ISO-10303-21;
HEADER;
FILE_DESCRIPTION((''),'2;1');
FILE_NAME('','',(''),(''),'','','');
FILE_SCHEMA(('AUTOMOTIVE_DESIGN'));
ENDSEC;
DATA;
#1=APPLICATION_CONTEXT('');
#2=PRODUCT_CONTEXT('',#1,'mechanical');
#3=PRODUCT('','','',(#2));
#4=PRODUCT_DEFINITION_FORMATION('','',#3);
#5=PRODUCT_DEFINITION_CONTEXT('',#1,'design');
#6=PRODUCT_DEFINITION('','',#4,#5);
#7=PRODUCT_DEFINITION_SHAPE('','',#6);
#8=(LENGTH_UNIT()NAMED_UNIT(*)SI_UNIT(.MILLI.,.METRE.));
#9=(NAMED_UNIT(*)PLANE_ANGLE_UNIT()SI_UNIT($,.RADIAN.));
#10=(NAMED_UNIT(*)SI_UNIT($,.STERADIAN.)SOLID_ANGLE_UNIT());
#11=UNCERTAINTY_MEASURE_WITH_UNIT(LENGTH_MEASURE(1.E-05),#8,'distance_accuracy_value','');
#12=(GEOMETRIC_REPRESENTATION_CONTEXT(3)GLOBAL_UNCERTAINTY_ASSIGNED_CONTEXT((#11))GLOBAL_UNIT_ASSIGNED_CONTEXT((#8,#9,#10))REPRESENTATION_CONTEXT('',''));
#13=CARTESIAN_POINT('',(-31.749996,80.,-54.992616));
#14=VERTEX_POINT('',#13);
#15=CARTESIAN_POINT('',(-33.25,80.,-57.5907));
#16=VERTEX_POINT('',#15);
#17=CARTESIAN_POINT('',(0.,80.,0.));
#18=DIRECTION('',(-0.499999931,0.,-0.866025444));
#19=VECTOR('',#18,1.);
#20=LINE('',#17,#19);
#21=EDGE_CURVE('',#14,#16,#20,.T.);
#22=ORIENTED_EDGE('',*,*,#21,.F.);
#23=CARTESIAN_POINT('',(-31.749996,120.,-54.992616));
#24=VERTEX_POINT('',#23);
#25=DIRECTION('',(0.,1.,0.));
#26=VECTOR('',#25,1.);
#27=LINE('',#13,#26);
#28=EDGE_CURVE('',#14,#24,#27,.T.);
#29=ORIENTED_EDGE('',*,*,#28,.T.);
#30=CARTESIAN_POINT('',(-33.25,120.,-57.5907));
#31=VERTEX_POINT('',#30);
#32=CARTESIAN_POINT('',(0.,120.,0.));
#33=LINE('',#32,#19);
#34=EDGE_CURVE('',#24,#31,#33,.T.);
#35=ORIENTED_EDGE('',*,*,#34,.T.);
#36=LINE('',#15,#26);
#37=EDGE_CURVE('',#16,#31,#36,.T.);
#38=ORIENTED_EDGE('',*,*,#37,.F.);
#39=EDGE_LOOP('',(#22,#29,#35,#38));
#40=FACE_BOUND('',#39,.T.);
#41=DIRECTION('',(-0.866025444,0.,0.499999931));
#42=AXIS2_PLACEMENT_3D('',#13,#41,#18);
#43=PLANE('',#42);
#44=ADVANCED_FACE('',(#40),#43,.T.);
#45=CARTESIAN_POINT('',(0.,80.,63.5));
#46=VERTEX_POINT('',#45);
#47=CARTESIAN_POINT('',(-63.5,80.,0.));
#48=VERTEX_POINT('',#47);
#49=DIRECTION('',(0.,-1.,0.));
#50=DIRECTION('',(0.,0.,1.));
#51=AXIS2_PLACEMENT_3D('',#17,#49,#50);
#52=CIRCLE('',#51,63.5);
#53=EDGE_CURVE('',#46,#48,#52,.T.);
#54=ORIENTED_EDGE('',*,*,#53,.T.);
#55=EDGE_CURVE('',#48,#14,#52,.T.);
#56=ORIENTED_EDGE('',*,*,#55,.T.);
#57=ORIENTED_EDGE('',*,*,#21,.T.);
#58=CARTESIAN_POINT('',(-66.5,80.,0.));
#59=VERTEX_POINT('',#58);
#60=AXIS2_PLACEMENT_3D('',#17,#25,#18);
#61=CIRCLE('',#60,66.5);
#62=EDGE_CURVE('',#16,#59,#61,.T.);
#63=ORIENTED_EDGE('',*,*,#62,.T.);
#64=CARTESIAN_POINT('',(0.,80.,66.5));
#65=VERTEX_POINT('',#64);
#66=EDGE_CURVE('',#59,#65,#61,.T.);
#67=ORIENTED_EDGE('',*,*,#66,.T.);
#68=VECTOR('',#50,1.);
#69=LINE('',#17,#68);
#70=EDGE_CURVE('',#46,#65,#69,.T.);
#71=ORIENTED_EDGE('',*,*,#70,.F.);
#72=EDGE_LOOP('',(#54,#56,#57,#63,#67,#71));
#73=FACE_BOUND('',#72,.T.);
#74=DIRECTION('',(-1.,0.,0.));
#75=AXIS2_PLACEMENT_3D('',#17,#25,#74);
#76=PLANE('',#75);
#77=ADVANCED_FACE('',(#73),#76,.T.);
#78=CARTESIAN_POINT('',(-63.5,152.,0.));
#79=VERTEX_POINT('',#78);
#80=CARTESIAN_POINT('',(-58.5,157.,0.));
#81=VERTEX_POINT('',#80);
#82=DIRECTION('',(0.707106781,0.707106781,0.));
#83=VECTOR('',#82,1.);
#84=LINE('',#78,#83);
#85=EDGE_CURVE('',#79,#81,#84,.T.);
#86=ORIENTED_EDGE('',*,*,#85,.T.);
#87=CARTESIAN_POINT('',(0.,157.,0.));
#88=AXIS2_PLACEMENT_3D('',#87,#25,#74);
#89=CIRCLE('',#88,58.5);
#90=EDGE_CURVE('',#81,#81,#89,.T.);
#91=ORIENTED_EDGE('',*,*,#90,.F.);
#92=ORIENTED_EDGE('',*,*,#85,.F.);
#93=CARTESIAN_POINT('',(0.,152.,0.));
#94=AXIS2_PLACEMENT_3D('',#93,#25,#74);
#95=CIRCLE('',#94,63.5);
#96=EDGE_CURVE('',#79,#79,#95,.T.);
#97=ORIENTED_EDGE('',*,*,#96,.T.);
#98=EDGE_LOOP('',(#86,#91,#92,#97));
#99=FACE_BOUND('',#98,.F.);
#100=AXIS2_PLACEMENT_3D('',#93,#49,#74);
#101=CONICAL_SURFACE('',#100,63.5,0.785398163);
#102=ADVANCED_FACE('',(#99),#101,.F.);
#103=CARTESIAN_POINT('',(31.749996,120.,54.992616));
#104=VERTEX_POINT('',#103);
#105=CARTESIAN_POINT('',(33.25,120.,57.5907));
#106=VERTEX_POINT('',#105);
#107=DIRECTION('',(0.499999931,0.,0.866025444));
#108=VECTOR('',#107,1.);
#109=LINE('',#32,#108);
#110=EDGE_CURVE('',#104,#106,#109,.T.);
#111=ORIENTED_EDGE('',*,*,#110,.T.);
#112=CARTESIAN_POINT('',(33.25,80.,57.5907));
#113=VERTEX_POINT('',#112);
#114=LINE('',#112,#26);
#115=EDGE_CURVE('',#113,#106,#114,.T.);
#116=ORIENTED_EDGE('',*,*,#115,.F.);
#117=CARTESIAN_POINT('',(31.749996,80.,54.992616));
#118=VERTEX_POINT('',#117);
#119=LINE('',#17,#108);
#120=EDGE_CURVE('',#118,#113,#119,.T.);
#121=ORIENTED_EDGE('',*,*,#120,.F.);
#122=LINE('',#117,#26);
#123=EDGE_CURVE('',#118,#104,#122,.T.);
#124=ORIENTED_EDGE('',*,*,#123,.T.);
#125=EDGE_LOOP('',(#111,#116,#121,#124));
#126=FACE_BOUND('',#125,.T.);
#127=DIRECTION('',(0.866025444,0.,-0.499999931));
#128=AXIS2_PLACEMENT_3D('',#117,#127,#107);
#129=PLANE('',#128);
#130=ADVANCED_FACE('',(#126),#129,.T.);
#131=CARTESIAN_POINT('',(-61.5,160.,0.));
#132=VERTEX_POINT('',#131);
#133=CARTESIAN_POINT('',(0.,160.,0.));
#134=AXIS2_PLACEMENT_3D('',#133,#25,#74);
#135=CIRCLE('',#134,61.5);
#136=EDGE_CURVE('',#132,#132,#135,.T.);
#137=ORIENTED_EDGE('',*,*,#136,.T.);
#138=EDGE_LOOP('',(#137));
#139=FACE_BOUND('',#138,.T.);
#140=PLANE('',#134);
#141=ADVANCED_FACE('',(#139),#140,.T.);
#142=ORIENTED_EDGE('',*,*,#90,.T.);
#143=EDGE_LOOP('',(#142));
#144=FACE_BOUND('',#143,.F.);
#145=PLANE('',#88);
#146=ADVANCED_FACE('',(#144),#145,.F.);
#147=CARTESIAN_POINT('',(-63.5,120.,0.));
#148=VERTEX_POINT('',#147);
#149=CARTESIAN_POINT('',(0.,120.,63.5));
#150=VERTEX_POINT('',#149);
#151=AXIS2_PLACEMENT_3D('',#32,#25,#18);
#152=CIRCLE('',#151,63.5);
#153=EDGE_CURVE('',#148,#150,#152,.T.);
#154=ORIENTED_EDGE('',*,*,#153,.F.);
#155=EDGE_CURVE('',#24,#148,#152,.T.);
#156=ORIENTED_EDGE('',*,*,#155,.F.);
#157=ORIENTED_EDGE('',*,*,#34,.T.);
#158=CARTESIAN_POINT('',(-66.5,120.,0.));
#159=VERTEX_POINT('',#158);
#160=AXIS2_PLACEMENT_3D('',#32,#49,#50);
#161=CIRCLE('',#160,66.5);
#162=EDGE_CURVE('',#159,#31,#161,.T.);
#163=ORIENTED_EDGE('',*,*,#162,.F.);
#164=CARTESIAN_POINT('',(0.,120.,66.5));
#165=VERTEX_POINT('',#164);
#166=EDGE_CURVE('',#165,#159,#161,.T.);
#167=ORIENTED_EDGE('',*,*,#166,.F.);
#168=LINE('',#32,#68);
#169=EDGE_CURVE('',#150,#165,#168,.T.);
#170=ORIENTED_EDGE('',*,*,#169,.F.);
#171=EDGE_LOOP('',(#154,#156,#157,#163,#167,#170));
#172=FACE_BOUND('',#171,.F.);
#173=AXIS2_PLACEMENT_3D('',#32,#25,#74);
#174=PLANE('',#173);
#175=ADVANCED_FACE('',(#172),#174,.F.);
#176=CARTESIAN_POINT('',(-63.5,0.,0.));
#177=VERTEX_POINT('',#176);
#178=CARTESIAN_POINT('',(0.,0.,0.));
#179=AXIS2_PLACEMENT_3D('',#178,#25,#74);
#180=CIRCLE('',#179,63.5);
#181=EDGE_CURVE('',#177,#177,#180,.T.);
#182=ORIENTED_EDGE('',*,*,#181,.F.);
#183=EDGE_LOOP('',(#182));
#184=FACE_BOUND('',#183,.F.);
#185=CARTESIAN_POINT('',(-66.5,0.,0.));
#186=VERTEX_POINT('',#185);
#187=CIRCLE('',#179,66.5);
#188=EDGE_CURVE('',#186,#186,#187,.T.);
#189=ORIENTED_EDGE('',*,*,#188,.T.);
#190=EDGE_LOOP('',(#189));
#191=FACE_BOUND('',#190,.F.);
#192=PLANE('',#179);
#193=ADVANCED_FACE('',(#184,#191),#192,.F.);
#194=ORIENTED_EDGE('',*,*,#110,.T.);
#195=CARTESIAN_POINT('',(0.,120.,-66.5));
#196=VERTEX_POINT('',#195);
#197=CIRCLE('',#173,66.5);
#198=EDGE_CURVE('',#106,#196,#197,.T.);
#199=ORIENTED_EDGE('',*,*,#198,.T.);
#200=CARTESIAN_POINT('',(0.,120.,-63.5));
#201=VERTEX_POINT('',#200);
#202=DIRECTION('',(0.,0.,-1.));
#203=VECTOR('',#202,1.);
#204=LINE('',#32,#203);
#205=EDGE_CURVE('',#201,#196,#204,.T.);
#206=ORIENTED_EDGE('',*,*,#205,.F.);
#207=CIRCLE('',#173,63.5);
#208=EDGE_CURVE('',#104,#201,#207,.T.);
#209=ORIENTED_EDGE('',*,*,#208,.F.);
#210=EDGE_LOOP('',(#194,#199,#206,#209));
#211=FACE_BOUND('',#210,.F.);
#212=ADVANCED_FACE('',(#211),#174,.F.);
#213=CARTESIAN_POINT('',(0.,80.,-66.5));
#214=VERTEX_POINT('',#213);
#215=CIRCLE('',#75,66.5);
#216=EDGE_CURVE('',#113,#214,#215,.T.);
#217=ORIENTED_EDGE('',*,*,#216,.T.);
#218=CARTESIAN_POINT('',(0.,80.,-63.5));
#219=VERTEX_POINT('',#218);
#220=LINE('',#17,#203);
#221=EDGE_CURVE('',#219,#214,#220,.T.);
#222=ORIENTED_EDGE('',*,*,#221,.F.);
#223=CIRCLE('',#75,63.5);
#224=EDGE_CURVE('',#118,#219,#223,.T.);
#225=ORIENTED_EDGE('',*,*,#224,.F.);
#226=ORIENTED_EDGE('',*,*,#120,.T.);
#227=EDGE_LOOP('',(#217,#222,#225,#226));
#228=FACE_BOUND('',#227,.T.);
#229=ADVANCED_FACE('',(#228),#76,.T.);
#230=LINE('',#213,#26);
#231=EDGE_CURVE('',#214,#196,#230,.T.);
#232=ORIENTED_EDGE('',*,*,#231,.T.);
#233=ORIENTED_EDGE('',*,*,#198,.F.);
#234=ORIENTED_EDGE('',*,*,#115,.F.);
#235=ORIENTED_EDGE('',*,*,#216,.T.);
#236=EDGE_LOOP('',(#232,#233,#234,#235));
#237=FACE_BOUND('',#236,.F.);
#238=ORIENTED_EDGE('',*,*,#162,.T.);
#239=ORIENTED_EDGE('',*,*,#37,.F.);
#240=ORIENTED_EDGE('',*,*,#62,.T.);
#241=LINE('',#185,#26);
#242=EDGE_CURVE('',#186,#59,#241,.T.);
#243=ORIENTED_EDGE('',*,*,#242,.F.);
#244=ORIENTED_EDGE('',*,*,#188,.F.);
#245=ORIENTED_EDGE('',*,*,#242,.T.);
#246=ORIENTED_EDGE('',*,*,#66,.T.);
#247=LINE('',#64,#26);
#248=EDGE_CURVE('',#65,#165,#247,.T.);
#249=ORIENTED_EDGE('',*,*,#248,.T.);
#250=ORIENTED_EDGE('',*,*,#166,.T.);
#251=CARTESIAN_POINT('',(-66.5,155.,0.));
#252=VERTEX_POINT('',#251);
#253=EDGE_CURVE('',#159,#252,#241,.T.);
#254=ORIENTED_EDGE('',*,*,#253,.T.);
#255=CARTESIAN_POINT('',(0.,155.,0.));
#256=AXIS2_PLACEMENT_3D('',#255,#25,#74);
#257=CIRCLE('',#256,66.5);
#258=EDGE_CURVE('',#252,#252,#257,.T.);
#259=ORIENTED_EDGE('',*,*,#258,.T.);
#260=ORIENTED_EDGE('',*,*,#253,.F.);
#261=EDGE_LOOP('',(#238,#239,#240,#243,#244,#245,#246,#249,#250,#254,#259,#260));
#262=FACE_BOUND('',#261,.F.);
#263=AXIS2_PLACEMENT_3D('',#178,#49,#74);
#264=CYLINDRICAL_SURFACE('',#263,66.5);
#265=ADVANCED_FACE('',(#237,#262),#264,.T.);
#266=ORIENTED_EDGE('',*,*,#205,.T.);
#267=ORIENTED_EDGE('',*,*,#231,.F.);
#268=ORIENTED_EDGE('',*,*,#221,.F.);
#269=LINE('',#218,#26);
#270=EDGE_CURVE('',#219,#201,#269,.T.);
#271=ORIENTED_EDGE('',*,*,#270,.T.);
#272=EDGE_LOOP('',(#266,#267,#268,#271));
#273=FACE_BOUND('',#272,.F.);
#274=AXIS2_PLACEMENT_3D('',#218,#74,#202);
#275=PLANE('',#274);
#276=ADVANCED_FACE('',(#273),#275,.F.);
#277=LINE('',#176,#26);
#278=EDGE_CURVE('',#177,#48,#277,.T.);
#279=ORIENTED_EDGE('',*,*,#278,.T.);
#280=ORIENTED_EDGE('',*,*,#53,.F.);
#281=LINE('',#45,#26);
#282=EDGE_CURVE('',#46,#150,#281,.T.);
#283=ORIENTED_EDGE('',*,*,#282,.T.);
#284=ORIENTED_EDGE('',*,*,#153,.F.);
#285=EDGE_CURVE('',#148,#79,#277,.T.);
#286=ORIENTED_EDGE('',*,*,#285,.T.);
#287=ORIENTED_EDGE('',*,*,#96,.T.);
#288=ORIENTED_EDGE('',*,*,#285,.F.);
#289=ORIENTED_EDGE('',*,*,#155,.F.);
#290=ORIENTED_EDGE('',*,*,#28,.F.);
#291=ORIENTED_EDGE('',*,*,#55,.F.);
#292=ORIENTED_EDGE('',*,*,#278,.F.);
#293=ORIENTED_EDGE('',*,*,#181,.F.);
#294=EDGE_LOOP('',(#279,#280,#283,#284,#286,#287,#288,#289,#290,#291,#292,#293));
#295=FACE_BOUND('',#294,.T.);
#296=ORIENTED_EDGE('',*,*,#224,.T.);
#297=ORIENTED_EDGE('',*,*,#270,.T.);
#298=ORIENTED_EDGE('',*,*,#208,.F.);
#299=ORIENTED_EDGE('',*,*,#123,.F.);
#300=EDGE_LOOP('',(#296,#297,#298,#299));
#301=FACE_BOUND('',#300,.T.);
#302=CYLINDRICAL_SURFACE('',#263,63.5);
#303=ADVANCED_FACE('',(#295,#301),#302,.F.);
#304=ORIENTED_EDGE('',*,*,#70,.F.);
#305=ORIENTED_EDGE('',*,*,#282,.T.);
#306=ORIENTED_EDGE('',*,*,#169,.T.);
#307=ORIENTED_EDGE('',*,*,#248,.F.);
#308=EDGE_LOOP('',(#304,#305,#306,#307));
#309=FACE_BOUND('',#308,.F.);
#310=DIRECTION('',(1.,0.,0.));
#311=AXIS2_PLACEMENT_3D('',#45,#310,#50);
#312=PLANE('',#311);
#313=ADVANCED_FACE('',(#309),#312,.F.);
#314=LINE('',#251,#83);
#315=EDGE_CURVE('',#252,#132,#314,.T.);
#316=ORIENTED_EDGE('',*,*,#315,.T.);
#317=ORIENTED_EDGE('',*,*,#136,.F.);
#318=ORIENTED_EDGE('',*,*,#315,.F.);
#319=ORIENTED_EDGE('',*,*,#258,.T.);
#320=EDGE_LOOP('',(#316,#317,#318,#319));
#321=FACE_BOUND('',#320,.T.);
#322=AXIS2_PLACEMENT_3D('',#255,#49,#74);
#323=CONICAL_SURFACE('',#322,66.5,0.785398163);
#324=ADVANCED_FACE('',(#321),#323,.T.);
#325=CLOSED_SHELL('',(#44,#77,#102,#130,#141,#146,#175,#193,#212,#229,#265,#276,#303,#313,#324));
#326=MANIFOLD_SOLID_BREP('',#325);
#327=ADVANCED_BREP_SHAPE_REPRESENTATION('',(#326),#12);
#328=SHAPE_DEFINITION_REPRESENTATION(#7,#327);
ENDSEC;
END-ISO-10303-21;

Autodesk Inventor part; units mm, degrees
ref_plane "YZ Plane" through (0, 0, 0) normal (1, 0, 0) x (0, 1, 0)
sketch "Sketch1" plane through (0, 0, 0) normal (0, 1, 0) x (-1, 0, 0)
  circle A0 centre (0, 0) radius 63.5
  circle A1 centre (0, 0) radius 66.5
  dimension "d0" = 127
  dimension "d1" = 133
extrude "Extrusion1" add sketch "Sketch1" along normal blind 160
ref_plane "Work Plane1" through (0, 160, 0) normal (0, 1, 0) x (-1, 0, 0)
sketch "Sketch2" plane through (0, 160, 0) normal (0, 1, 0) x (-1, 0, 0)
  circle A0 centre (0, 0) radius 63.5
  dimension "d5" = 127
extrude "Extrusion2" add sketch "Sketch2" against normal blind 3
chamfer "Chamfer1" distance 5 angle 45 1 edges at (66.5, 160, 0)
chamfer "Chamfer2" distance 5 angle 45 1 edges at (63.5, 157, 0)
ref_plane "Work Plane2" through (0, 80, 0) normal (0, 1, 0) x (-1, 0, 0)
sketch "Sketch3" plane through (0, 80, 0) normal (0, 1, 0) x (-1, 0, 0)
  circle A0 centre (0, 0) radius 63.5
  circle A1 centre (0, 0) radius 66.5
  line L0 (0, 0) -> (0, -66.5)
  line L1 (0, 0) -> (33.25, -57.5907)
  line L2 (0, 0) -> (66.5, 0) construction
  line L3 (0, 0) -> (0, 66.5)
  line L4 (0, 0) -> (-33.25, 57.5907)
  point P0 (0, 63.5)
  point P1 (31.75, -54.9926)
  point P2 (-31.75, 54.9926)
  point P3 (0, -63.5)
  dimension "d15" = 127
  dimension "d16" = 133
  dimension "d17" = 60
extrude "Extrusion3" cut sketch "Sketch3" along normal blind 40 contours A0 L3 A1 L1 | A0 L0 A1 L4
properties part number "siren_new" material "ABS Plastic"
